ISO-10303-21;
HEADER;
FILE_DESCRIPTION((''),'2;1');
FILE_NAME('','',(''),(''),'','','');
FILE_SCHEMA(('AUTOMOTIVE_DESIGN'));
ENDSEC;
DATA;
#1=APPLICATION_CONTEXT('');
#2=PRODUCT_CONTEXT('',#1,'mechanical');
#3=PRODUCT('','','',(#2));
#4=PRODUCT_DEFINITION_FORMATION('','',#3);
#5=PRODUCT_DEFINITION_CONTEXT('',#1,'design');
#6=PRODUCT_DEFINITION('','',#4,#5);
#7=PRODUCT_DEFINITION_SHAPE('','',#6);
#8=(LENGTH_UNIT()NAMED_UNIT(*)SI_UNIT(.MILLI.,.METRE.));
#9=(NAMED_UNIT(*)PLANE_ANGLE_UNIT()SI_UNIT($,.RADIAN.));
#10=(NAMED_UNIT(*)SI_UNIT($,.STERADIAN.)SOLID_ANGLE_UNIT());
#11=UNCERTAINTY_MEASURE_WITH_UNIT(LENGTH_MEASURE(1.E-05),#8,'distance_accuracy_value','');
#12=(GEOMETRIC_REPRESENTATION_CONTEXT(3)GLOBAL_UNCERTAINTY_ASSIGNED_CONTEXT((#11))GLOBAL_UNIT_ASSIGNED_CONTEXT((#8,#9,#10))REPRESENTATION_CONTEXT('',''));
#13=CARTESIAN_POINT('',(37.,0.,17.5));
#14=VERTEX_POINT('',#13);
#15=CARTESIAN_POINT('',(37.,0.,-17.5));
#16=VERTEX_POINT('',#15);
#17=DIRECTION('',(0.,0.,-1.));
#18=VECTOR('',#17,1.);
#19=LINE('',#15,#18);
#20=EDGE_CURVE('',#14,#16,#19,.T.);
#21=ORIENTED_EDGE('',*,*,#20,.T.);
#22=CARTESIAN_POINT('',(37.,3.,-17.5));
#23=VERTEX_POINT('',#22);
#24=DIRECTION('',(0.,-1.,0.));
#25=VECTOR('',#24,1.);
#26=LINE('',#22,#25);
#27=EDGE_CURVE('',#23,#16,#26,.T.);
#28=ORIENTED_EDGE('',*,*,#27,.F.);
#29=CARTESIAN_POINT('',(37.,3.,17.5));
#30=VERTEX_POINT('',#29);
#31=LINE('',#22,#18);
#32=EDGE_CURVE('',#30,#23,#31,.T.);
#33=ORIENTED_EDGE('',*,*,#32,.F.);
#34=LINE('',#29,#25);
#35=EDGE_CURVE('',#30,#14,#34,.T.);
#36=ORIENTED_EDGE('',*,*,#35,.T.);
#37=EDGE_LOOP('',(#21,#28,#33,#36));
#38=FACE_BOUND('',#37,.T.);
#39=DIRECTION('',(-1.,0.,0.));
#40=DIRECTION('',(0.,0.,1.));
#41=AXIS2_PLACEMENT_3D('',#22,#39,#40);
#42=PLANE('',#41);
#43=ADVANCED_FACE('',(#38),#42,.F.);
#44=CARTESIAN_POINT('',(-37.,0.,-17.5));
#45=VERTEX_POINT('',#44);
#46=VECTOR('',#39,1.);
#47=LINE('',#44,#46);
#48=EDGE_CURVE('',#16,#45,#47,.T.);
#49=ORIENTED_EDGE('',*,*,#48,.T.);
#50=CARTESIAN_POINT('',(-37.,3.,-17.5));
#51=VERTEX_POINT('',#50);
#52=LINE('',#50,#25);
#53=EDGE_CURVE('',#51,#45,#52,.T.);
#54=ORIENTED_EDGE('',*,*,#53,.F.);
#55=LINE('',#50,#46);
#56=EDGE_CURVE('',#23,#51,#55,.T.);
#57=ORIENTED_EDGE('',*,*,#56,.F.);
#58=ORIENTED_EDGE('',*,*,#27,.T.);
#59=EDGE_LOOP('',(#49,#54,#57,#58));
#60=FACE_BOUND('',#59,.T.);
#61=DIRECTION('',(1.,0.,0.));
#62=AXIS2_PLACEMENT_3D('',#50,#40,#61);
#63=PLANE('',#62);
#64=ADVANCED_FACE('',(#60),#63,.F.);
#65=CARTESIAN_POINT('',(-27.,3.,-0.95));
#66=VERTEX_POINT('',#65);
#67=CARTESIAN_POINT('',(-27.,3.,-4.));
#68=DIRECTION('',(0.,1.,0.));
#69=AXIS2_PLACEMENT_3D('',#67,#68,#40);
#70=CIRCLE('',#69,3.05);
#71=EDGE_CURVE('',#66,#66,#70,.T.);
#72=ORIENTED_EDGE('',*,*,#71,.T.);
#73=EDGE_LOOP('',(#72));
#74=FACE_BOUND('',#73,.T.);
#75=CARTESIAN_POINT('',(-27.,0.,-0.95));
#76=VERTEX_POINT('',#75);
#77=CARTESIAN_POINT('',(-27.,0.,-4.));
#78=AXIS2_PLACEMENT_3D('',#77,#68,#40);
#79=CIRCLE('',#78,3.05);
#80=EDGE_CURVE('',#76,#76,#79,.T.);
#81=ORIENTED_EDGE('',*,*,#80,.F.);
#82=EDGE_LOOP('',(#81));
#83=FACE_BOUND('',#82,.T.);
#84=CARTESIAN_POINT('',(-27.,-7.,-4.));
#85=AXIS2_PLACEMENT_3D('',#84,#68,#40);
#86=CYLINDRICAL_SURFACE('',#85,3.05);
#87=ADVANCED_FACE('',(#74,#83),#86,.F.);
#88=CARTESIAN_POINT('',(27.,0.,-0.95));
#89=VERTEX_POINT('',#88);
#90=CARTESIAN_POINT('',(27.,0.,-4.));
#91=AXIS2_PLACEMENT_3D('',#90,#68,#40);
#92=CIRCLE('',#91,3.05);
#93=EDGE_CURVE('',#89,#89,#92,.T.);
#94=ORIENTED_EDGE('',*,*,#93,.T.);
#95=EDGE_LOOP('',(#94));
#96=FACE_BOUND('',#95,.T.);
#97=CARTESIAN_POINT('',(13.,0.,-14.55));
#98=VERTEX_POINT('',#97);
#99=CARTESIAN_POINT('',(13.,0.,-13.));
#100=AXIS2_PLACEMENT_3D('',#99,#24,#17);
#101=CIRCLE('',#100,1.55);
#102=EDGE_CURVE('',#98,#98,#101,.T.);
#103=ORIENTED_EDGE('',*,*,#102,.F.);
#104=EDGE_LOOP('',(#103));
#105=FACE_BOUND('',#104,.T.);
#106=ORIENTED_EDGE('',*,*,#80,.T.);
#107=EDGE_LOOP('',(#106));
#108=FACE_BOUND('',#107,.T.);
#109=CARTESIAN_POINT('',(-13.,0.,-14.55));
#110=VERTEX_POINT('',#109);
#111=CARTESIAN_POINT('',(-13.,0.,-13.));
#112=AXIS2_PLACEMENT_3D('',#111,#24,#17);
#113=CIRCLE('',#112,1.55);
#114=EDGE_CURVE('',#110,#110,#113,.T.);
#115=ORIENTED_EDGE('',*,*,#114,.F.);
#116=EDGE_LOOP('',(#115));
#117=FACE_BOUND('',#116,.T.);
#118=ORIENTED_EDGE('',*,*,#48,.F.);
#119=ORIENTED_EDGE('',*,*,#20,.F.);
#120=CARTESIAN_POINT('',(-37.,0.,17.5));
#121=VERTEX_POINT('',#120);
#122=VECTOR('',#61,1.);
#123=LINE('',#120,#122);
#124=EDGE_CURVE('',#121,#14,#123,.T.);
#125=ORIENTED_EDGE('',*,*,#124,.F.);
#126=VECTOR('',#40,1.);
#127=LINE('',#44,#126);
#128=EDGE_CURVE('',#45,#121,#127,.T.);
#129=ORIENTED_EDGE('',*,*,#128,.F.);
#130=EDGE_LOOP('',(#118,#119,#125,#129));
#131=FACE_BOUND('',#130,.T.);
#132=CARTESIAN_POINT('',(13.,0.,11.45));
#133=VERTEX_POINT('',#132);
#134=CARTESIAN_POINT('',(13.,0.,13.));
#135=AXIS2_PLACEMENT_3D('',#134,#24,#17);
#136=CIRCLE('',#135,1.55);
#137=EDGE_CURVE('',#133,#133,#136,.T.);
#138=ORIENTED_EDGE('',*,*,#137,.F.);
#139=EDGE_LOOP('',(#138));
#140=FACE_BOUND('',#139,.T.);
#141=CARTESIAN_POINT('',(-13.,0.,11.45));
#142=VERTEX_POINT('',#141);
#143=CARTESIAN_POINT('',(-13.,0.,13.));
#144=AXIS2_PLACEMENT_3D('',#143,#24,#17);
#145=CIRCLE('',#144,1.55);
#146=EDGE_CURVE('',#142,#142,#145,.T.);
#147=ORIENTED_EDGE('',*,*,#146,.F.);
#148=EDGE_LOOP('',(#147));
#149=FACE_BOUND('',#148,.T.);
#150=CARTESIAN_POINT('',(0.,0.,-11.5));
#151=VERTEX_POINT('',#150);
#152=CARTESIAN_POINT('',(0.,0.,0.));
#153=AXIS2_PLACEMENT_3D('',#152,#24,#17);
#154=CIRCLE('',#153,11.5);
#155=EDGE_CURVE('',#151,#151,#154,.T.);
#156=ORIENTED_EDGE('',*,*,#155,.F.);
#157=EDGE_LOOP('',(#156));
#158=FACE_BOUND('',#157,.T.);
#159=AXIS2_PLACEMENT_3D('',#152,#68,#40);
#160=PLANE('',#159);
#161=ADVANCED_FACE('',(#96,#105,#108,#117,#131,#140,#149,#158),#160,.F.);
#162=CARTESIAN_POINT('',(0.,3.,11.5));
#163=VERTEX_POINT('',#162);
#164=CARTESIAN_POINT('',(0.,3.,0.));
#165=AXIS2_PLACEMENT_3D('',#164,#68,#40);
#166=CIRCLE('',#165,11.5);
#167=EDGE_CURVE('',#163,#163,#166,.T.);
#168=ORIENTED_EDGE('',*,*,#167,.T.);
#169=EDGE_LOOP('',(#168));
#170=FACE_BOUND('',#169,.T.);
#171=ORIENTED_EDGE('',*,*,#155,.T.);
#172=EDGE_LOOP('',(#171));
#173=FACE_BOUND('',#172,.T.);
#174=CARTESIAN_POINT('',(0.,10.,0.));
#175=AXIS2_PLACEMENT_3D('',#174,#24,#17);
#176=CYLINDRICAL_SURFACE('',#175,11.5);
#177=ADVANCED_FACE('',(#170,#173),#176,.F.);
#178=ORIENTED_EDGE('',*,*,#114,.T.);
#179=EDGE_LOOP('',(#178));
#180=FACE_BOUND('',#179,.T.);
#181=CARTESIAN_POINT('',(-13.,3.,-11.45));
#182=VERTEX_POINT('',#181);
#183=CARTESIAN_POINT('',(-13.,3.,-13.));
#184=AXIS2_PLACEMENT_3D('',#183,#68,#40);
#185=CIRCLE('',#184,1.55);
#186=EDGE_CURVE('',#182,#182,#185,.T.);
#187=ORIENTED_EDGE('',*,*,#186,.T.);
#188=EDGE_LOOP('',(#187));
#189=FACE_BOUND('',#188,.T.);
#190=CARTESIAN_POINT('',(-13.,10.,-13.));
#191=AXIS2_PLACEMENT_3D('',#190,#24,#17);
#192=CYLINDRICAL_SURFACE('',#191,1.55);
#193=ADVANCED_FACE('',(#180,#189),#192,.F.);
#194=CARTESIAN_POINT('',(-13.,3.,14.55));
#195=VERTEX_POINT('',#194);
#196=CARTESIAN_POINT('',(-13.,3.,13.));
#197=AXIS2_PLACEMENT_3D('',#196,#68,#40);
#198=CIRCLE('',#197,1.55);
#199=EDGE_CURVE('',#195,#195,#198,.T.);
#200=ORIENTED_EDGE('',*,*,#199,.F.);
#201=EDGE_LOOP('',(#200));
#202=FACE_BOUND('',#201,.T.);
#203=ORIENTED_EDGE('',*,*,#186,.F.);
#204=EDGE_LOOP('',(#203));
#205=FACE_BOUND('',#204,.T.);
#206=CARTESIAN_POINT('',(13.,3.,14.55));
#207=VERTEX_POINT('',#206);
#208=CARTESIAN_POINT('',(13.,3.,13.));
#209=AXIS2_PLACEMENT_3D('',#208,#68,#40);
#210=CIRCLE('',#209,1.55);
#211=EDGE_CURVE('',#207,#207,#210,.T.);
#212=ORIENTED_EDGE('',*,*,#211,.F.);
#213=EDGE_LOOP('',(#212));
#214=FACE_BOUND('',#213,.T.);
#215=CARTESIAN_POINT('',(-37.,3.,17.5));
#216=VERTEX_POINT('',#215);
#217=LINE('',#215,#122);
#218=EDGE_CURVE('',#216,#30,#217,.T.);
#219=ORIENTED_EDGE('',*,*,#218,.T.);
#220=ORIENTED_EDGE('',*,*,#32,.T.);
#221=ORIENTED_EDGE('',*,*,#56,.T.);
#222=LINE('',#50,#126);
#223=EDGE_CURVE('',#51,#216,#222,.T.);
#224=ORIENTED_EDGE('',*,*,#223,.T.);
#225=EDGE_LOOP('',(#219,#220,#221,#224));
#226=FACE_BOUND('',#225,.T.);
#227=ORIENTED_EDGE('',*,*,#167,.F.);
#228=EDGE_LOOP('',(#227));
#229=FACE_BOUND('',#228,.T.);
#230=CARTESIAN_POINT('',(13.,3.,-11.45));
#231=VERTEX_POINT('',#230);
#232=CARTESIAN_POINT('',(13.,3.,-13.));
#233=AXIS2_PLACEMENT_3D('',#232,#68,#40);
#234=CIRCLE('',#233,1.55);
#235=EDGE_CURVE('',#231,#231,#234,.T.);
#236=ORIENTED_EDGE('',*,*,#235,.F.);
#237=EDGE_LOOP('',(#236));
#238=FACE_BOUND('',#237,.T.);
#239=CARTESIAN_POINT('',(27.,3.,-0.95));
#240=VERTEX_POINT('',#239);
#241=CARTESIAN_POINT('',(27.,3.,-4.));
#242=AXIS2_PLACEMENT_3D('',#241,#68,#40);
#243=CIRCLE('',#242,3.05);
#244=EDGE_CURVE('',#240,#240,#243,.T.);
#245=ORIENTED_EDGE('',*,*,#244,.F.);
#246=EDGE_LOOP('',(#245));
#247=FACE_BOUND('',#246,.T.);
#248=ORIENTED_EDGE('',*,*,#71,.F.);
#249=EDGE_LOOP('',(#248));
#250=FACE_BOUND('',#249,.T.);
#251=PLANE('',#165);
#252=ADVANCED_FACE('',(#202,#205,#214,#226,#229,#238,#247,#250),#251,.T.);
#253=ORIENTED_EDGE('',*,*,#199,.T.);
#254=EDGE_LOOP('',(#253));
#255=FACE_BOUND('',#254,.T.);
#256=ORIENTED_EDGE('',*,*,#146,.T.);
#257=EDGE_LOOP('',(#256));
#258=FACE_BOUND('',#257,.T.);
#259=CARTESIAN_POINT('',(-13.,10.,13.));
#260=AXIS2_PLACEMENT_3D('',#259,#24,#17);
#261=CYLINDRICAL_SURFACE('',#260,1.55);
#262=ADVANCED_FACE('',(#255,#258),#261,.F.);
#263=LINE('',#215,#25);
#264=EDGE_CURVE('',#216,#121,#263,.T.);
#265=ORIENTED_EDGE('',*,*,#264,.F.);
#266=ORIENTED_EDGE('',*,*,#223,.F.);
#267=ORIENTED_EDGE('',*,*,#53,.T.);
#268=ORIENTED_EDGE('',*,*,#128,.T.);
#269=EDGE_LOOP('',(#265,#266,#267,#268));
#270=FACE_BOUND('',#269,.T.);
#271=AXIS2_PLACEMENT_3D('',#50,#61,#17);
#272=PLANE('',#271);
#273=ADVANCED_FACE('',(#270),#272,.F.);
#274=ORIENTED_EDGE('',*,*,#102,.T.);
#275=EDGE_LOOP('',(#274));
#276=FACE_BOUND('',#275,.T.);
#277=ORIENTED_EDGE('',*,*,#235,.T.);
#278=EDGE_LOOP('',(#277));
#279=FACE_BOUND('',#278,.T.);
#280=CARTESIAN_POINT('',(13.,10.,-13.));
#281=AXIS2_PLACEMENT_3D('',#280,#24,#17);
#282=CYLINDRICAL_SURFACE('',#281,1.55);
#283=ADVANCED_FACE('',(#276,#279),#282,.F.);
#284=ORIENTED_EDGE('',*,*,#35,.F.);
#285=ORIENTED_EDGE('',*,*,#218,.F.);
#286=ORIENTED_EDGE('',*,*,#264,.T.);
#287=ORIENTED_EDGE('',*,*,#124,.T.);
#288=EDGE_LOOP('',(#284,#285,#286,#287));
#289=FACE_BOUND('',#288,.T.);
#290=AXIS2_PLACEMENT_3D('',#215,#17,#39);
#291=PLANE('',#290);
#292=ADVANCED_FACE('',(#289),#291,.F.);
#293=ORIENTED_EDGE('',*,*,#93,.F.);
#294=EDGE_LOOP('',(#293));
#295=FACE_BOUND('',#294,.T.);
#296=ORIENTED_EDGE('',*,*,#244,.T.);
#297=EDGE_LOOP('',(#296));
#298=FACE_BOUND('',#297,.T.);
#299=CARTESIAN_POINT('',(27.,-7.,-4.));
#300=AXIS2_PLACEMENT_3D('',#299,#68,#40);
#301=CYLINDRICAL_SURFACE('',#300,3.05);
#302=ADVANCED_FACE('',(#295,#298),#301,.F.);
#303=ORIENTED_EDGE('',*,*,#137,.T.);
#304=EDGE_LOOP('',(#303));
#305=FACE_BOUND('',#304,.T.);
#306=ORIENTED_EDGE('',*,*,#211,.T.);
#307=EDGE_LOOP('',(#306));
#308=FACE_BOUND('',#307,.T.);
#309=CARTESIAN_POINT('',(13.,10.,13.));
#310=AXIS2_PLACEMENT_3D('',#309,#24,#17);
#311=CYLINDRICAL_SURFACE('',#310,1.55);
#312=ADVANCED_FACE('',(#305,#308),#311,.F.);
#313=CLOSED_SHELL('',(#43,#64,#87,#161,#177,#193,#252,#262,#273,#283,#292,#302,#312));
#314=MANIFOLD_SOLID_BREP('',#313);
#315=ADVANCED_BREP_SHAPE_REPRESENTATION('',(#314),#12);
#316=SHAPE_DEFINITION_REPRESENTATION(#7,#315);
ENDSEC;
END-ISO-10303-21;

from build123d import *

# Parameters (mm, degrees)
SKETCH_1_W          = 74
SKETCH_1_H          = 35
EXTRUDE_1_DEPTH     = 3
SKETCH_3_R          = 1.55
CUT_EXTRUDE_1_DEPTH = 10
SKETCH_4_R          = 3.05
CUT_EXTRUDE_2_DEPTH = 10
SKETCH_5_R          = 11.5
CUT_EXTRUDE_3_DEPTH = 10


with BuildPart() as part:
    # 草图1 → 凸台-拉伸1 (new body)
    with BuildSketch(Plane(origin=(0, 0, 0), x_dir=(1, 0, 0), z_dir=(0, 1, 0))):
        Rectangle(SKETCH_1_W, SKETCH_1_H)
    extrude(amount=EXTRUDE_1_DEPTH)

    # 草图3 → 切除-拉伸1 (cut)
    with BuildSketch(Plane(origin=(0, 0, 0), x_dir=(-1, 0, 0), z_dir=(0, -1, 0))):
        with Locations(Location((13, -13, 0), (0, 0, 90))):
            Circle(SKETCH_3_R)
        with Locations(Location((-13, -13, 0), (0, 0, 90))):
            Circle(SKETCH_3_R)
        with Locations(Location((-13, 13, 0), (0, 0, 90))):
            Circle(SKETCH_3_R)
        with Locations(Location((13, 13, 0), (0, 0, 90))):
            Circle(SKETCH_3_R)
    extrude(amount=-CUT_EXTRUDE_1_DEPTH, mode=Mode.SUBTRACT)

    # 草图4 → 切除-拉伸2 (cut)
    with BuildSketch(Plane(origin=(0, 3, 0), x_dir=(1, 0, 0), z_dir=(0, 1, 0))):
        with Locations(Location((-27, 4, 0), (0, 0, 270))):
            Circle(SKETCH_4_R)
        with Locations(Location((27, 4, 0), (0, 0, 270))):
            Circle(SKETCH_4_R)
    extrude(amount=-CUT_EXTRUDE_2_DEPTH, mode=Mode.SUBTRACT)

    # 草图5 → 切除-拉伸3 (cut)
    with BuildSketch(Plane(origin=(0, 0, 0), x_dir=(-1, 0, 0), z_dir=(0, -1, 0))):
        with Locations(Location((0, 0, 0), (0, 0, 90))):
            Circle(SKETCH_5_R)
    extrude(amount=-CUT_EXTRUDE_3_DEPTH, mode=Mode.SUBTRACT)


solid = part.part
